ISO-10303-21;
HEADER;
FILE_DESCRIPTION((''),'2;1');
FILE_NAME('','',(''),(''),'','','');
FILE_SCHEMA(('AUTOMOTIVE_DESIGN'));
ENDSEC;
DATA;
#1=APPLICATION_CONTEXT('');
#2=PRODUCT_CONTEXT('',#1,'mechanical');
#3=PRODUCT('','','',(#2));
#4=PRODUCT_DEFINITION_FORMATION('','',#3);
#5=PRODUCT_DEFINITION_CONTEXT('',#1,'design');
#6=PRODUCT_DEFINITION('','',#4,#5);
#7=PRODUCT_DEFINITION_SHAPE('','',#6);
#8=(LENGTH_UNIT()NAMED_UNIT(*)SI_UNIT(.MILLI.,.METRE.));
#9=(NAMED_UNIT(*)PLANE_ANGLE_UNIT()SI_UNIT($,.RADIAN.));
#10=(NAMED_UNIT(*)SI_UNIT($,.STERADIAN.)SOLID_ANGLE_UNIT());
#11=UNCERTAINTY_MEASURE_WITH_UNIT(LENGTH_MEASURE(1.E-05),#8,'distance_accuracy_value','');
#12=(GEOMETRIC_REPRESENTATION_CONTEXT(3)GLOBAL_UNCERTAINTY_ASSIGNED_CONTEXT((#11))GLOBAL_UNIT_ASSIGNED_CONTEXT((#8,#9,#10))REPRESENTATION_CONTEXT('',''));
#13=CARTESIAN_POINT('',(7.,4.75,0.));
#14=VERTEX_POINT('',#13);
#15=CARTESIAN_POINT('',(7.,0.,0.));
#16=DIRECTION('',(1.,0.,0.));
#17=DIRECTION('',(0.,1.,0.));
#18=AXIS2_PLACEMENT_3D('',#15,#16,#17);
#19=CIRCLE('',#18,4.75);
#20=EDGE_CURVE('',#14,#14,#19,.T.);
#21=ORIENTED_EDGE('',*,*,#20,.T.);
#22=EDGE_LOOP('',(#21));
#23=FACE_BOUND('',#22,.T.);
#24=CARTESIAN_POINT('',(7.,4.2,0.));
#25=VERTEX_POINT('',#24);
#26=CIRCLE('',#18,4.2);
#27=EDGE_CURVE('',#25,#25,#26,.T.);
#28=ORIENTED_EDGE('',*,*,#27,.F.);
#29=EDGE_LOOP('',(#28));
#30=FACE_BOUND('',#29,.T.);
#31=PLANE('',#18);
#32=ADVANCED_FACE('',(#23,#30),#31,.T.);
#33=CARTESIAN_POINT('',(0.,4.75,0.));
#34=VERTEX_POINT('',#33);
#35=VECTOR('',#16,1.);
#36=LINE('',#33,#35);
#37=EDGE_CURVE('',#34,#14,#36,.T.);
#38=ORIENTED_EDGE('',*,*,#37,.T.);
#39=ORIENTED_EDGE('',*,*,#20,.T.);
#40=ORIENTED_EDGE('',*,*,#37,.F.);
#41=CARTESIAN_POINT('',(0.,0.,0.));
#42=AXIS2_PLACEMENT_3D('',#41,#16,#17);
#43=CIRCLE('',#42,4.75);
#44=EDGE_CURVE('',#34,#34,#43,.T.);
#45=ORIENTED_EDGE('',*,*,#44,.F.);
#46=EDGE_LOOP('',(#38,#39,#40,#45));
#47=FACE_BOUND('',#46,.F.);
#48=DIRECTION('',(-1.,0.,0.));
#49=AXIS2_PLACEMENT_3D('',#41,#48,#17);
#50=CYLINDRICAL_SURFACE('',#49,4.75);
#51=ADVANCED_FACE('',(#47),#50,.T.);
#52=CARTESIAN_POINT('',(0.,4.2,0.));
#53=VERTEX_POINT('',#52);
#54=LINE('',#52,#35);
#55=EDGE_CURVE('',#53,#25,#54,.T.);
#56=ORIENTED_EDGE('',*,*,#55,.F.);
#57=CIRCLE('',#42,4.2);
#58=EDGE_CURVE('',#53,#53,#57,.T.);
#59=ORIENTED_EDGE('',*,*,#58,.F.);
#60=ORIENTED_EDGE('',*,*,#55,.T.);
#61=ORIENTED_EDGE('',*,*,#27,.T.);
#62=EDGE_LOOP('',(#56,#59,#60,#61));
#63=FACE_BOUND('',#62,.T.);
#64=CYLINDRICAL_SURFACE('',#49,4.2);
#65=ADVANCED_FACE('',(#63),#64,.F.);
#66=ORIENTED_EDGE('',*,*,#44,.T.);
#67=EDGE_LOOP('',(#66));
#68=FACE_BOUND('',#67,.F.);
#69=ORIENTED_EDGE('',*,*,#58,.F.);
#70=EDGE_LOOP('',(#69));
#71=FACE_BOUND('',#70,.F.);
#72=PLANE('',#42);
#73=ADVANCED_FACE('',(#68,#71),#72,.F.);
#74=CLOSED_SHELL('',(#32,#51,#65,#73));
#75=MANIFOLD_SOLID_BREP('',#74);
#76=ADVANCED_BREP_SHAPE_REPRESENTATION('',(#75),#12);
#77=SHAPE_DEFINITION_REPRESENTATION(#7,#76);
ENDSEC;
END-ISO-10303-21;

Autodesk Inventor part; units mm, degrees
ref_plane "YZ Plane" through (0, 0, 0) normal (1, 0, 0) x (0, 1, 0)
ref_plane "XZ Plane" through (0, 0, 0) normal (0, 1, 0) x (-1, 0, 0)
ref_plane "XY Plane" through (0, 0, 0) normal (0, 0, 1) x (1, 0, 0)
sketch "Schizzo1" plane through (0, 0, 0) normal (1, 0, 0) x (0, 1, 0)
  circle A0 centre (0, 0) radius 4.2
  circle A1 centre (0, 0) radius 4.75
  dimension "d0" = 8.4
  dimension "d1" = 9.5
extrude "Estrusione1" add sketch "Schizzo1" along normal blind 7
properties part number "small cylinder"
